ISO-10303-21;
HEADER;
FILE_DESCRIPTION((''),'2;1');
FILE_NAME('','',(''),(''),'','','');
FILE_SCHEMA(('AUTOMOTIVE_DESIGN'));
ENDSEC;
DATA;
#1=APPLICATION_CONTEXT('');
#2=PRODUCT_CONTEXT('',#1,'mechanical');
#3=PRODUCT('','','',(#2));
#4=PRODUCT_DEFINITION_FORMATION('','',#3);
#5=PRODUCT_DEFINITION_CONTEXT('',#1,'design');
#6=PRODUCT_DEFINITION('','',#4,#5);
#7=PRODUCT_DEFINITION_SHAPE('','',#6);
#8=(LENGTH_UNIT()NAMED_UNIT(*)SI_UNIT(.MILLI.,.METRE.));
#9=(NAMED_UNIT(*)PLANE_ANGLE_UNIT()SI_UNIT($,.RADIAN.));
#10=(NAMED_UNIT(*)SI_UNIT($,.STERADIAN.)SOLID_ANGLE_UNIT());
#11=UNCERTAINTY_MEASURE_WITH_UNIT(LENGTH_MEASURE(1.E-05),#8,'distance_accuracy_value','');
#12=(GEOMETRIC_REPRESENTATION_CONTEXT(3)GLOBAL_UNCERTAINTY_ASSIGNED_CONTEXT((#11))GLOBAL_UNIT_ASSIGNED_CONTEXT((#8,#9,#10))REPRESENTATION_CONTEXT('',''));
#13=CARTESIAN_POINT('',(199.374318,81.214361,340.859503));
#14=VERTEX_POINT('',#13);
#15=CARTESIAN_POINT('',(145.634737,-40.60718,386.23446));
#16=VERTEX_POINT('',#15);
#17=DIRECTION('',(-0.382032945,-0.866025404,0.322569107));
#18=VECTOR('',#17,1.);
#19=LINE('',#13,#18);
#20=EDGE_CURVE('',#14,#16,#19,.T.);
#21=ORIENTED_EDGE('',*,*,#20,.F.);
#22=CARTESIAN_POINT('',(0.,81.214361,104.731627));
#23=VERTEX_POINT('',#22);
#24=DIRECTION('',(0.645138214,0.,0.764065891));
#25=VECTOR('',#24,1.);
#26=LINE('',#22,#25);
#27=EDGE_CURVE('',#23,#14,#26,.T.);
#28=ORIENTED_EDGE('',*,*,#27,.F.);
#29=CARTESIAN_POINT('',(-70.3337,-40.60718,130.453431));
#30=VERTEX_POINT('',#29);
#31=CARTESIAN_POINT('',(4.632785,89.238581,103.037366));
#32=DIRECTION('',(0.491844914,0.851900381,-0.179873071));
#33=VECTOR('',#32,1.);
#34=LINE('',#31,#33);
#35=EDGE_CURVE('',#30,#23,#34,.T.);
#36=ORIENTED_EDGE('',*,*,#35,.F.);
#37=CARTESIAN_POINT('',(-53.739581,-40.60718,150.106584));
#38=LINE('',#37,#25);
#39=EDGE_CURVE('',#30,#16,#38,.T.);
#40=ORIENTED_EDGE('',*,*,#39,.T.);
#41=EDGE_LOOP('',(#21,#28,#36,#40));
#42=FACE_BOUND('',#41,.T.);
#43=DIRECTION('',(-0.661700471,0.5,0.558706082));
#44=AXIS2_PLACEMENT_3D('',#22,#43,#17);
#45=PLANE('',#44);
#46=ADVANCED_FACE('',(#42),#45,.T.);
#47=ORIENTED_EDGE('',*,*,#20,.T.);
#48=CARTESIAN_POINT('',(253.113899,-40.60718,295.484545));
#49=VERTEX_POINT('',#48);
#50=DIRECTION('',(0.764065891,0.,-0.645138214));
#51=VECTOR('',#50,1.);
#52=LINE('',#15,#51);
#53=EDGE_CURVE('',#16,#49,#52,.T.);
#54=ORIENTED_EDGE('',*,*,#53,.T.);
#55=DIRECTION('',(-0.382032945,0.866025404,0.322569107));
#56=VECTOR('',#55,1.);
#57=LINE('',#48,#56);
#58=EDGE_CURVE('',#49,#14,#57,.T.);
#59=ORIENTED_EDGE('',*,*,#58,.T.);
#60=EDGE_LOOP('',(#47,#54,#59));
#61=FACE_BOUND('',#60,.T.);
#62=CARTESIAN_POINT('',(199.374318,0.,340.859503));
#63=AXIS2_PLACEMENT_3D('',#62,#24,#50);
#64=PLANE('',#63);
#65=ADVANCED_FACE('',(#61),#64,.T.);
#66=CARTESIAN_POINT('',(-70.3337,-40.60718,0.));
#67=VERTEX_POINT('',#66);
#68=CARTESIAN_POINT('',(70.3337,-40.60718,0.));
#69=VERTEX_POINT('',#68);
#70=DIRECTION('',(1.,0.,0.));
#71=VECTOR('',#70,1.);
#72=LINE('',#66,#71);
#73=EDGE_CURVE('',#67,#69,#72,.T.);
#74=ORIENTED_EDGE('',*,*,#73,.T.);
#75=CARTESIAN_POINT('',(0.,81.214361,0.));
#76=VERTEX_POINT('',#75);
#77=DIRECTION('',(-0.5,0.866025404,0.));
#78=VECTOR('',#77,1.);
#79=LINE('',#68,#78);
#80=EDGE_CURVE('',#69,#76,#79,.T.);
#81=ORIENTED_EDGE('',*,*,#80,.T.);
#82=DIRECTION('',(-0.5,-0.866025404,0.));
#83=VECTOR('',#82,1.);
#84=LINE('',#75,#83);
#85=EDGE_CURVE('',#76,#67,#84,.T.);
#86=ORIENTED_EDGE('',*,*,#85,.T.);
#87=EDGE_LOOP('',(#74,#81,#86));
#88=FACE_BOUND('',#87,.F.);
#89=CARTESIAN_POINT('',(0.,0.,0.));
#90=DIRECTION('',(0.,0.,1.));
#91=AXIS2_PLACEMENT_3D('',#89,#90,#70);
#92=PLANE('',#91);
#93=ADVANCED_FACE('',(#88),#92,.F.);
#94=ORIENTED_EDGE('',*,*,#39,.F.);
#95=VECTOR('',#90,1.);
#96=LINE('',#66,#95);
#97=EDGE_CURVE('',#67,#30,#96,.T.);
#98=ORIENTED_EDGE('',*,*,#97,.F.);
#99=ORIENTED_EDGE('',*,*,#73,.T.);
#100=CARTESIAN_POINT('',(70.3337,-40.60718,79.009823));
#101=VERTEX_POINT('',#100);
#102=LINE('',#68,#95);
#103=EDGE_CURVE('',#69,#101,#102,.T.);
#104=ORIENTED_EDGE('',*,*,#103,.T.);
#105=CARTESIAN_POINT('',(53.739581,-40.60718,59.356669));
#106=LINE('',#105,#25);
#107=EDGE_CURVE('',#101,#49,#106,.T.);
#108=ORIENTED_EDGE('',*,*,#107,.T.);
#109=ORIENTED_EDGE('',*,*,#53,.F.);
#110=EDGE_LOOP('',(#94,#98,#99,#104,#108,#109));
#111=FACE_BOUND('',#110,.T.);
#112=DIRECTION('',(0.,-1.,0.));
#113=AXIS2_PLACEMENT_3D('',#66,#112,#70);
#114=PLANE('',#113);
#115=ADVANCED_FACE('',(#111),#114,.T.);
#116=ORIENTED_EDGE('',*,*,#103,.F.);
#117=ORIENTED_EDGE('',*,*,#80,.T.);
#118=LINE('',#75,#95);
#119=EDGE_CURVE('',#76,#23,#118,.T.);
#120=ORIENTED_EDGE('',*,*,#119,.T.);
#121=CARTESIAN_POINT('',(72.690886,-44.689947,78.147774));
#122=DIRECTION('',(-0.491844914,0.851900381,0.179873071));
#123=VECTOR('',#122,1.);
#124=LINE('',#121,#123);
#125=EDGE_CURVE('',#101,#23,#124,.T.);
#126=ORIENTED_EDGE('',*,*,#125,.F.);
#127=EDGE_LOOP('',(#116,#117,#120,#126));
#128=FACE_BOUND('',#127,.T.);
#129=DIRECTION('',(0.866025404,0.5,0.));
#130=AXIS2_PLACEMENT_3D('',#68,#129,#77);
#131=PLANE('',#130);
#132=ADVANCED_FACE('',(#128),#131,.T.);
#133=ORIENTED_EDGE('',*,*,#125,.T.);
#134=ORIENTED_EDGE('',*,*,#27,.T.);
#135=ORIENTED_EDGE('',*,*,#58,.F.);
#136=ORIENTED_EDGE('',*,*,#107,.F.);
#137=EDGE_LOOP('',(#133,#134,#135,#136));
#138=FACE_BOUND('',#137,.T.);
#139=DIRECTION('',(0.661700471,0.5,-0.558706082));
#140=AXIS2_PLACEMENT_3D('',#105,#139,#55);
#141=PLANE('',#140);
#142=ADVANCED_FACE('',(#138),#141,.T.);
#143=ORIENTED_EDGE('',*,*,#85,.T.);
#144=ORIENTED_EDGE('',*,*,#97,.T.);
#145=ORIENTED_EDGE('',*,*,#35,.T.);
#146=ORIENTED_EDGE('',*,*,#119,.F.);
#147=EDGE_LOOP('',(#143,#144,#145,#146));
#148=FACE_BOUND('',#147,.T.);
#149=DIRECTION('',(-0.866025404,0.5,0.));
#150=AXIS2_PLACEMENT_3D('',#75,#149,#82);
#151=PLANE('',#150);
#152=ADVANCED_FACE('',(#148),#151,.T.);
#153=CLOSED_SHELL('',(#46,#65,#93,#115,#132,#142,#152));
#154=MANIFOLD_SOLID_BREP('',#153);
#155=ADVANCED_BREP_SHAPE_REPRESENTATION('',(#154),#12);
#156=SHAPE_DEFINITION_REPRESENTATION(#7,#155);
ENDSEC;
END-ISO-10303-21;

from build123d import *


with BuildPart() as f2:
    # F2: sweep along a path in F1
    with BuildLine(Plane.XZ) as f2_path:
        Line((0, 0), (0, 104.7316268086))
        Line((0, 104.7316268086), (199.3743181229, 340.8595025539))
    # F0 (on Top) → F2 (sweep)
    with BuildSketch(Plane.XY):
        Polygon((-70.3336996853, -40.6071804464), (70.3336996853, -40.6071804464), (0, 81.2143608928), align=None)
    sweep(path=f2_path.line, transition=Transition.RIGHT)


solid = f2.part
